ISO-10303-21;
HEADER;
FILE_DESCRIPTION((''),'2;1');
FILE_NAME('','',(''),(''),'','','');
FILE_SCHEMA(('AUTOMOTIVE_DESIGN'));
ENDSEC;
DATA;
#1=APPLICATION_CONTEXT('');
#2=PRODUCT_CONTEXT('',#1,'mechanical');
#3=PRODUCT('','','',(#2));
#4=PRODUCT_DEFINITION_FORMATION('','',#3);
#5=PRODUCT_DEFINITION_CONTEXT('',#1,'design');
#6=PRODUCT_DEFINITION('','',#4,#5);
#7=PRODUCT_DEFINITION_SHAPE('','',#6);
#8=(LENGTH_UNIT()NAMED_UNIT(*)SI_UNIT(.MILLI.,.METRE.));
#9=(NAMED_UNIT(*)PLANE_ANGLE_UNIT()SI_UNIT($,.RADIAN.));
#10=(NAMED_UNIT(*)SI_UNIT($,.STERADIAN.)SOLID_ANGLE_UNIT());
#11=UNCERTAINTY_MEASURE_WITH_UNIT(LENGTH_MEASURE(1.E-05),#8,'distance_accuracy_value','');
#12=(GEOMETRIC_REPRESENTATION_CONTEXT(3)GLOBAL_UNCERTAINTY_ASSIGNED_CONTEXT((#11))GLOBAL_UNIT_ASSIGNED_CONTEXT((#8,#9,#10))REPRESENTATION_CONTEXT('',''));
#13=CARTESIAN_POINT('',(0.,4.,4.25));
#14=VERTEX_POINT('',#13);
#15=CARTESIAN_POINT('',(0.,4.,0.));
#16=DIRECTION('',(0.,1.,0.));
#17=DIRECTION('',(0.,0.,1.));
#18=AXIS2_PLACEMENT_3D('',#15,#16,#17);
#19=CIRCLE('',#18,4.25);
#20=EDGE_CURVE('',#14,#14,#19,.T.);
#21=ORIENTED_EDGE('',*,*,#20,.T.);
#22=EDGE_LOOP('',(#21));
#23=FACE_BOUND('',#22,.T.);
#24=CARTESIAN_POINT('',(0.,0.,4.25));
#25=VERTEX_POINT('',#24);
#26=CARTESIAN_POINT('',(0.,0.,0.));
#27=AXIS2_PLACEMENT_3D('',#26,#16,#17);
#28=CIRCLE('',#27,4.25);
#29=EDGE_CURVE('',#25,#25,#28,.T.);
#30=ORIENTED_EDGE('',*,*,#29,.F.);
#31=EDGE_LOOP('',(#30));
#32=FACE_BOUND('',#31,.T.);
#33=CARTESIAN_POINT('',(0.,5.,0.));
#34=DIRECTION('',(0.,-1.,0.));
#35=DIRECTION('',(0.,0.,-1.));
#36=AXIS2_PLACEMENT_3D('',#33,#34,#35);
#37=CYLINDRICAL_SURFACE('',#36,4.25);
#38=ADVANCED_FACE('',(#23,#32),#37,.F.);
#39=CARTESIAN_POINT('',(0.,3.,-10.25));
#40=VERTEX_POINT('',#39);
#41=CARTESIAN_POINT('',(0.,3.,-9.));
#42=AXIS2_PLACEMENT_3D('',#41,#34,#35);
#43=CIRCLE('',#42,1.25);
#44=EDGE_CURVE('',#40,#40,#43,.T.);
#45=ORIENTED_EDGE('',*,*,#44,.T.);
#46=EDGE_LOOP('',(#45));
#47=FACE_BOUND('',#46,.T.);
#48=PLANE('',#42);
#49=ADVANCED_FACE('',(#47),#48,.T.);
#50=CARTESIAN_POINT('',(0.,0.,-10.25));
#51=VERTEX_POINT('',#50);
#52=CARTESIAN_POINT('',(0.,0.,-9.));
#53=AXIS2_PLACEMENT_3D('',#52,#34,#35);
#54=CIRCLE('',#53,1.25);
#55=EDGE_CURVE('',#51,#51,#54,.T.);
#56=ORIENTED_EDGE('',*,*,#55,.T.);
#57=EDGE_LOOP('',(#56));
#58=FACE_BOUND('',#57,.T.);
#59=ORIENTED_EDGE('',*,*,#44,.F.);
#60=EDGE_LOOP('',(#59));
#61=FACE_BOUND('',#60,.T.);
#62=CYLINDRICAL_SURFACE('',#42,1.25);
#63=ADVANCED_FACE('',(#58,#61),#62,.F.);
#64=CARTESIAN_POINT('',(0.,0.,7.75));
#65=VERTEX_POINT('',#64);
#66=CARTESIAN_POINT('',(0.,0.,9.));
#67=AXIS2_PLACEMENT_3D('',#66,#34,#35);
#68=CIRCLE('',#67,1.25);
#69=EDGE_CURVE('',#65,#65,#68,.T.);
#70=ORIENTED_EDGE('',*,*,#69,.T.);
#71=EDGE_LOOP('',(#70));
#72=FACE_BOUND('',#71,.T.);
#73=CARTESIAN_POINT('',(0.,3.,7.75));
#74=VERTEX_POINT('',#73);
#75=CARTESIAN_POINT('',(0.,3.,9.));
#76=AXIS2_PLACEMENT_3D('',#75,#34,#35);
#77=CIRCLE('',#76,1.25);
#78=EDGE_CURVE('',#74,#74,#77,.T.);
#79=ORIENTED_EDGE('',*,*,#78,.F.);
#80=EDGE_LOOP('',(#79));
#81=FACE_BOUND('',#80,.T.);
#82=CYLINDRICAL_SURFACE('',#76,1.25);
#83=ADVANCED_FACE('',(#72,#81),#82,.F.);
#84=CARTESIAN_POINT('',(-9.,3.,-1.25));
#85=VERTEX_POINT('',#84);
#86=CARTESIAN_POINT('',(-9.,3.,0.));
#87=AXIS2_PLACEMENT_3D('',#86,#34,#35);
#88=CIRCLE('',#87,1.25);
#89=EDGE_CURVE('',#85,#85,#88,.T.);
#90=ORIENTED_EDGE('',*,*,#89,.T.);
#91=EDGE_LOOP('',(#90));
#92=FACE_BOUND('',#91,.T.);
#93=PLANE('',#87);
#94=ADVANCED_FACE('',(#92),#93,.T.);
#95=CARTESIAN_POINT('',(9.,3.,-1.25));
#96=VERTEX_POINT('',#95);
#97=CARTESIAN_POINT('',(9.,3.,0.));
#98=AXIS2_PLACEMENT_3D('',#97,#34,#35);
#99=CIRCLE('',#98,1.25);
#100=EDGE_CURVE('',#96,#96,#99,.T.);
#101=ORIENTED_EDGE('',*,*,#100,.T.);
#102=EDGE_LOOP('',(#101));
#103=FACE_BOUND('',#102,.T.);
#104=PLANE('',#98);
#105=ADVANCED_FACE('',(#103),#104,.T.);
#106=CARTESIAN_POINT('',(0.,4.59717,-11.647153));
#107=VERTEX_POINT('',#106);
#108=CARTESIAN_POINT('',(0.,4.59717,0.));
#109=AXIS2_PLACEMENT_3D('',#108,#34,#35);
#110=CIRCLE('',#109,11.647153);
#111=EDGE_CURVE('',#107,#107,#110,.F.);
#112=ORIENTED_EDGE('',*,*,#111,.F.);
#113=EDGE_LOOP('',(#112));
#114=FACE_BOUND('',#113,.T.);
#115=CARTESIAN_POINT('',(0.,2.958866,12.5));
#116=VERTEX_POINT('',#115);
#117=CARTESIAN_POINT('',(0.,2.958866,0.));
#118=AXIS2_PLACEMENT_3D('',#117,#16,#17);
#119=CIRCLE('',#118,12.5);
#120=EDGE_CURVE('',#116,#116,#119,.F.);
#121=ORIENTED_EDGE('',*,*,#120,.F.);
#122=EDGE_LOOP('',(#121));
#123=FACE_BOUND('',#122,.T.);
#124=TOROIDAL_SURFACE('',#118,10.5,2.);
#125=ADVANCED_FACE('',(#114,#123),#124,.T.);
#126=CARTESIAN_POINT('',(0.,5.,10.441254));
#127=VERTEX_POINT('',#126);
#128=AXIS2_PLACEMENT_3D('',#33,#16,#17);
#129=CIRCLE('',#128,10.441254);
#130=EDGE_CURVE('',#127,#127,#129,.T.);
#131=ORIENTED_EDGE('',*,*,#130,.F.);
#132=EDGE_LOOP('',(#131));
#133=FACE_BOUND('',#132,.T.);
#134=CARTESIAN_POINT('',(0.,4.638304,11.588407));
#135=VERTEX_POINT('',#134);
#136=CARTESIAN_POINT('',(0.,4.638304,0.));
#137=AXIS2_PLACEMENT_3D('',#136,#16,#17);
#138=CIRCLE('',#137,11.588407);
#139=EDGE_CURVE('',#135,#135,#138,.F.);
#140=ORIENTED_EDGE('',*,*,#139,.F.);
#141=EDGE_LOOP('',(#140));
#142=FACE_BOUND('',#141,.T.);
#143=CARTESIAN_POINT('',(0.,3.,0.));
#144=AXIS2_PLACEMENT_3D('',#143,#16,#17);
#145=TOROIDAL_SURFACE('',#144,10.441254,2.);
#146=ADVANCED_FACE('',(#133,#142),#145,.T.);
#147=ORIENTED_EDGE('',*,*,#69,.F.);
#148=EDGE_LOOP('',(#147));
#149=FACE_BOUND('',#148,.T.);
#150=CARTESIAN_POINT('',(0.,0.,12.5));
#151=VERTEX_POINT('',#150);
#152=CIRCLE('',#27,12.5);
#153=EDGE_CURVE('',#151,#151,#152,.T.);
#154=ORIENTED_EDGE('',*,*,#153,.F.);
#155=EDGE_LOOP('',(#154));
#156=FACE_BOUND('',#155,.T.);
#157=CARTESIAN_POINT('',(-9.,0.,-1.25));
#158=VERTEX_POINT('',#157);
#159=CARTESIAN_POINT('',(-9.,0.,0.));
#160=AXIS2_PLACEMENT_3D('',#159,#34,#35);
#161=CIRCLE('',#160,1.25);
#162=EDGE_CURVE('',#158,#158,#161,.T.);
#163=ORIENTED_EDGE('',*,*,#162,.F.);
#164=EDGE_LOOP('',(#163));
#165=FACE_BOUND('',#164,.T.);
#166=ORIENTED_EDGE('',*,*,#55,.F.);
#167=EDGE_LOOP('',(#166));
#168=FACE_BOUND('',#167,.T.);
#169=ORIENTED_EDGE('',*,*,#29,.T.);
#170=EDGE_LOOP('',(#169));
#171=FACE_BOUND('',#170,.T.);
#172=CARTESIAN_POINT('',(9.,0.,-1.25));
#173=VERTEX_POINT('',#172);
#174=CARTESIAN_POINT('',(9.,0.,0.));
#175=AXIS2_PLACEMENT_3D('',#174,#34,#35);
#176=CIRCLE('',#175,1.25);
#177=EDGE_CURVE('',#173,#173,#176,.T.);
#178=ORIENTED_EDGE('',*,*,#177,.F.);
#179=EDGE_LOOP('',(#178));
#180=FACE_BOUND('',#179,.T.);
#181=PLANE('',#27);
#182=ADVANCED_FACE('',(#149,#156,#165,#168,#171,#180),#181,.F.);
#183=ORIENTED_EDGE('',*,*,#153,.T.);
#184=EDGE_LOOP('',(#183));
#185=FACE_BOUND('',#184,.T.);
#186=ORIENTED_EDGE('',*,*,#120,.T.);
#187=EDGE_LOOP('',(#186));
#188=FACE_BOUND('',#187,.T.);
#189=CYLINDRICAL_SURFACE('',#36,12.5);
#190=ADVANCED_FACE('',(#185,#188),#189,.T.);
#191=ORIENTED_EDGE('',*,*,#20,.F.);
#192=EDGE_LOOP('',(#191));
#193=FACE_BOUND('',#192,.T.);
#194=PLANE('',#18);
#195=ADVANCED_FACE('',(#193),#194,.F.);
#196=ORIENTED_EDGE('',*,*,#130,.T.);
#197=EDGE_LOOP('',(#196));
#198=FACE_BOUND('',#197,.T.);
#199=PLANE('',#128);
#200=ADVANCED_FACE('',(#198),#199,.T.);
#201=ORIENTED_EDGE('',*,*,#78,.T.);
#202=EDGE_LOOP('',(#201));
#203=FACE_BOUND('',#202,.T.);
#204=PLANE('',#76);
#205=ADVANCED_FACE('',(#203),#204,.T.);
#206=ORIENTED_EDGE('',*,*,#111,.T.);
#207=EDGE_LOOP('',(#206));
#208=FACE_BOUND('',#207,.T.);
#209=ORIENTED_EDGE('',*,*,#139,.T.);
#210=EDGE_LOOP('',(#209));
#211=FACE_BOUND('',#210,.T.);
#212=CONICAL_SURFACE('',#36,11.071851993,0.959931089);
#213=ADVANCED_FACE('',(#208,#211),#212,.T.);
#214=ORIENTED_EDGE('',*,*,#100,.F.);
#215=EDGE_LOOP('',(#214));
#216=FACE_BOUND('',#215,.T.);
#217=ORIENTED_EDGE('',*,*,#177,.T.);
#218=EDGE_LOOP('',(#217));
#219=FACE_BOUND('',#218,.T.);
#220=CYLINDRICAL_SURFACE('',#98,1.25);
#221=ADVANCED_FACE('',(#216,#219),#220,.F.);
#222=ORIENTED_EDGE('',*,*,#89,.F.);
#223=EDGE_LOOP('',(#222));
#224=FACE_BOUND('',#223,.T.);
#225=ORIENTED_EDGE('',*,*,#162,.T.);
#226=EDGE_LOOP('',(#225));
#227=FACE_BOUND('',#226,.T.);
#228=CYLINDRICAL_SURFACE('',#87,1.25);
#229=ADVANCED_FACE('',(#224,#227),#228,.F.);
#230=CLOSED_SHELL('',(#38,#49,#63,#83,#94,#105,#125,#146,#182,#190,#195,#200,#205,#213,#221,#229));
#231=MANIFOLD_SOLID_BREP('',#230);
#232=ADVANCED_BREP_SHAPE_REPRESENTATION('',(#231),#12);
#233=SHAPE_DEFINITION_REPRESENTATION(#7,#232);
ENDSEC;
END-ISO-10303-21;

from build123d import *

# Parameters (mm, degrees)
SKETCH1_R           = 12.5
SKETCH1_R_2         = 4.25
BOSS_EXTRUDE1_DEPTH = 5
BOSS_EXTRUDE2_START = -1
SKETCH2_R           = 4.25
BOSS_EXTRUDE2_DEPTH = 1
SKETCH3_R           = 1.25
CUT_EXTRUDE1_DEPTH  = 3
CHAMFER1_SIZE       = 1
CHAMFER1_SIZE2      = 1.428148007
FILLET1_R           = 2


with BuildPart() as part:
    # Sketch1 → Boss-Extrude1 (new body)
    with BuildSketch(Plane(origin=(0, 0, 0), x_dir=(1, 0, 0), z_dir=(0, 1, 0))):
        with Locations(Location((0, 0, 0), (0, 0, 270))):
            Circle(SKETCH1_R)
        with Locations(Location((0, 0, 0), (0, 0, 270))):
            Circle(SKETCH1_R_2, mode=Mode.SUBTRACT)
    extrude(amount=BOSS_EXTRUDE1_DEPTH)

    # Sketch2 → Boss-Extrude2 (add)
    with BuildSketch(Plane(origin=(0, 5, 0), x_dir=(1, 0, 0), z_dir=(0, 1, 0)).offset(BOSS_EXTRUDE2_START)):
        with Locations(Location((0, 0, 0), (0, 0, 270))):
            Circle(SKETCH2_R)
    extrude(amount=BOSS_EXTRUDE2_DEPTH)

    # Sketch3 → Cut-Extrude1 (cut)
    with BuildSketch(Plane(origin=(0, 0, 0), x_dir=(-1, 0, 0), z_dir=(0, -1, 0))):
        with Locations(Location((0, -9, 0), (0, 0, 90))):
            Circle(SKETCH3_R)
        with Locations(Location((-9, 0, 0), (0, 0, 90))):
            Circle(SKETCH3_R)
        with Locations(Location((0, 9, 0), (0, 0, 90))):
            Circle(SKETCH3_R)
        with Locations(Location((9, 0, 0), (0, 0, 90))):
            Circle(SKETCH3_R)
    extrude(amount=-CUT_EXTRUDE1_DEPTH, mode=Mode.SUBTRACT)

    # Chamfer1
    chamfer1_edges = [part.edges().sort_by_distance(p)[0] for p in [
        (0, 5, -12.5),
    ]]
    chamfer1_side = [part.faces().sort_by_distance(p)[0] for p in [
        (0, 2.5, -12.5),
    ]]
    chamfer(chamfer1_edges, length=CHAMFER1_SIZE, length2=CHAMFER1_SIZE2, reference=chamfer1_side[0])

    # Fillet1
    fillet1_edges = [part.edges().sort_by_distance(p)[0] for p in [
        (0, 5, -11.071851993),
        (0, 4, -12.5),
    ]]
    fillet(fillet1_edges, radius=FILLET1_R)


solid = part.part
